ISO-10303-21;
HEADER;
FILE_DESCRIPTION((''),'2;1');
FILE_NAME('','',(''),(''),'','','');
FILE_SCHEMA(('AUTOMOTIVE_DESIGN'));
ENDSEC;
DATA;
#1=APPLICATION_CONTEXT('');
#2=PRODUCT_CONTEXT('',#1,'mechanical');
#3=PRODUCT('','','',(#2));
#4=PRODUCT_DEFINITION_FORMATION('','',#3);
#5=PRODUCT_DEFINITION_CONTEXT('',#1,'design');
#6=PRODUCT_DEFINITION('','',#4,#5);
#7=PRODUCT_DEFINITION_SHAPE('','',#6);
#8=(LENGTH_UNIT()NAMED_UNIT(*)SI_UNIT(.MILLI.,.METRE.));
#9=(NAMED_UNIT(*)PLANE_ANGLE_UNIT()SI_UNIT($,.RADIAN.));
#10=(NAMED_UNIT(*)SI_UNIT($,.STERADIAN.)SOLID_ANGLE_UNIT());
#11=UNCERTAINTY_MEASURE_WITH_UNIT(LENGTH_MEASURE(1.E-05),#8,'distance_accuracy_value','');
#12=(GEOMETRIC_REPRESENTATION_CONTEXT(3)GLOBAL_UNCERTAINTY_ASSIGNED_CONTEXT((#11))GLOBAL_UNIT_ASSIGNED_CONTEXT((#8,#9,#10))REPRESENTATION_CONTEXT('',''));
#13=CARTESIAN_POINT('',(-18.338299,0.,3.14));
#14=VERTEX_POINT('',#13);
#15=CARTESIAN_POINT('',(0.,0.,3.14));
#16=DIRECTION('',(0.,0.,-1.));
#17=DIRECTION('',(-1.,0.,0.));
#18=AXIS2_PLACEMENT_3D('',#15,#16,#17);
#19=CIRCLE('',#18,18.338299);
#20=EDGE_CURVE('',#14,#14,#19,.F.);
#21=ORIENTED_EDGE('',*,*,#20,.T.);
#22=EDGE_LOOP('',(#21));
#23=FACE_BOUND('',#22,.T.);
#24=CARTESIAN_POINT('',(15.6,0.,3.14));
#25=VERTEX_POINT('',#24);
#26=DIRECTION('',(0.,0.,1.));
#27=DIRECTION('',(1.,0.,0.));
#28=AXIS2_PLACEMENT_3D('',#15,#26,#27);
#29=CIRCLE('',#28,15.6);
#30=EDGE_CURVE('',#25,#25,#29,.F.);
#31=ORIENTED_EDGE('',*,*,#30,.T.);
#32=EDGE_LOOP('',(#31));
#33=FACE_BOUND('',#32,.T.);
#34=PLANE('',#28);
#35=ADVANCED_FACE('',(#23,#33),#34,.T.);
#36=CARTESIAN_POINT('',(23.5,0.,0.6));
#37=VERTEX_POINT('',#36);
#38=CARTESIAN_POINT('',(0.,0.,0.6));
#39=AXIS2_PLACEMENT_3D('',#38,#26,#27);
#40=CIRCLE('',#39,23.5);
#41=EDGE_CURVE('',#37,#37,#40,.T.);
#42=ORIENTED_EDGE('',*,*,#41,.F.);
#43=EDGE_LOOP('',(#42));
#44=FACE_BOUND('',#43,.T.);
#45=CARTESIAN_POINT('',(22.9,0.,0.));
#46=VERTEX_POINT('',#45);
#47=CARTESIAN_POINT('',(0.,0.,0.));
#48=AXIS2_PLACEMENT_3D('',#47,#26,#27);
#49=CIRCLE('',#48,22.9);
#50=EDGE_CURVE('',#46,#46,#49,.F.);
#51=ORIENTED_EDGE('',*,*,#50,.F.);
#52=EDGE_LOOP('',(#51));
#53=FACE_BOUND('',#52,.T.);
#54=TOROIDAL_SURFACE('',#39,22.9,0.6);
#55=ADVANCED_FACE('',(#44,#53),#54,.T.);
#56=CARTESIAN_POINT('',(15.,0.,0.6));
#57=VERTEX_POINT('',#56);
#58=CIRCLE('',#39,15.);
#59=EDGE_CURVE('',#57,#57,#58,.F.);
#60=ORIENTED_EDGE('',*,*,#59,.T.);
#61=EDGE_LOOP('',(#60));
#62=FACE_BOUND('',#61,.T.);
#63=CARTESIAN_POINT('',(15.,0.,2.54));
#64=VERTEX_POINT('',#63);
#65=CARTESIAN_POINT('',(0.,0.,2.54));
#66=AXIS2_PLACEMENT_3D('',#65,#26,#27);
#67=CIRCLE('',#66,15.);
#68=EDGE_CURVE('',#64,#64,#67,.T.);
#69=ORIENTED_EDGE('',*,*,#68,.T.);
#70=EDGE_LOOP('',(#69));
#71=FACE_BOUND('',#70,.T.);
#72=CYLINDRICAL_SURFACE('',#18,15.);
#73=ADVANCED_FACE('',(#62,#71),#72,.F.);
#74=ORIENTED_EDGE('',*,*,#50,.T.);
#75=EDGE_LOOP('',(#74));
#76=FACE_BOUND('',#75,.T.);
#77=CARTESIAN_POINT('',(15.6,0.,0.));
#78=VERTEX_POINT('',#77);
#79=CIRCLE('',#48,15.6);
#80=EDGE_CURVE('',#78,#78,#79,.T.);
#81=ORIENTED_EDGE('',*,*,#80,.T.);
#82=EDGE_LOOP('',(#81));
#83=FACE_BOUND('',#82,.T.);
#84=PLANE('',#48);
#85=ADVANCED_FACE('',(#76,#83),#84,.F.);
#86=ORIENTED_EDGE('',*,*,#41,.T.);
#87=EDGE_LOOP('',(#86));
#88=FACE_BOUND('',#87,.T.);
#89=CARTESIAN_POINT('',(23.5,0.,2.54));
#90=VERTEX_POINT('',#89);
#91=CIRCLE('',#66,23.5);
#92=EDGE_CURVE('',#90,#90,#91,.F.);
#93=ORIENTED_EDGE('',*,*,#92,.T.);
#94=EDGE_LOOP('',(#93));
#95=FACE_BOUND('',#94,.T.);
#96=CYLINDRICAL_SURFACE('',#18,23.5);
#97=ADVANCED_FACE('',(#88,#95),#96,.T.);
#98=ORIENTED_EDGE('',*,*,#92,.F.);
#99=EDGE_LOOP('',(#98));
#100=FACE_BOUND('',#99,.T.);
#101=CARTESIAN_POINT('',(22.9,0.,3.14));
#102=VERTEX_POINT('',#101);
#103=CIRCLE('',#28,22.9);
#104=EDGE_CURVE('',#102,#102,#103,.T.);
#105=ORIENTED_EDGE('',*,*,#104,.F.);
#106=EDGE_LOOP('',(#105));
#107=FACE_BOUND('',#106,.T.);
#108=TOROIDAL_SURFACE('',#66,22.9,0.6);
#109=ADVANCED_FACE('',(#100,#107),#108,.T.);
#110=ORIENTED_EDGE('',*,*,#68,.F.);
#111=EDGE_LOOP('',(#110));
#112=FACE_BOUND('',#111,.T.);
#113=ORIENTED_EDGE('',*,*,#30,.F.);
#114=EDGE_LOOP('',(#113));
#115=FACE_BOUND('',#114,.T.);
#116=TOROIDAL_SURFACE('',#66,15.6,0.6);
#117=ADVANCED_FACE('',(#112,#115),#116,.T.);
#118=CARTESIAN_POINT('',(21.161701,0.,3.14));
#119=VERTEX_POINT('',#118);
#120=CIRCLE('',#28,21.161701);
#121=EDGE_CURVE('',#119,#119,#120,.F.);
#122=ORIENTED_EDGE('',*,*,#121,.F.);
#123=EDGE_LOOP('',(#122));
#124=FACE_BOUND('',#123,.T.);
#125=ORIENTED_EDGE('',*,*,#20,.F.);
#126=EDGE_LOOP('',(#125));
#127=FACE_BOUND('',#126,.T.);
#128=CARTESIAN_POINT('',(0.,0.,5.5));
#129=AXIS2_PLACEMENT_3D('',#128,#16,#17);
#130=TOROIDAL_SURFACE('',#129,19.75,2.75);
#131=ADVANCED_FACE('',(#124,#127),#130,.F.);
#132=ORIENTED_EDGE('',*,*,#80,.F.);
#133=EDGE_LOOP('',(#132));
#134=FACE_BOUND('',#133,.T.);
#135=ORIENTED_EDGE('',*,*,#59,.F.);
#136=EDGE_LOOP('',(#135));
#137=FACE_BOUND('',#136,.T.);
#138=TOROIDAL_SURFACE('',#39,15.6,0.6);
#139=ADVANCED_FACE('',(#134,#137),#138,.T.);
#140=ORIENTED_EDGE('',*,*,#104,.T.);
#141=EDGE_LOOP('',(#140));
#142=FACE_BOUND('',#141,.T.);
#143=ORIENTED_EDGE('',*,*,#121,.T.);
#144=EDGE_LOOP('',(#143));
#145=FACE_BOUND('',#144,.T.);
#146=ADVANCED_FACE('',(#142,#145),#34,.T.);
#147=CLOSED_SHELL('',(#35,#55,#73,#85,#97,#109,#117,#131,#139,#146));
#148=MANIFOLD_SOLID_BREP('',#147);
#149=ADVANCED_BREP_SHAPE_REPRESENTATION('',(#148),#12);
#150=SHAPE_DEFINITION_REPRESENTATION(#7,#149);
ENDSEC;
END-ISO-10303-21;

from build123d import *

# Parameters (mm, degrees)
ESQUISSE1_R        = 23.5
ESQUISSE1_R_2      = 15
BOSS_EXTRU_1_DEPTH = 3.14
ESQUISSE2_R        = 2.75
CONG_1_R           = 0.6


with BuildPart() as part:
    # Esquisse1 → Boss.-Extru.1 (new body)
    with BuildSketch(Plane.XY):
        Circle(ESQUISSE1_R)
        Circle(ESQUISSE1_R_2, mode=Mode.SUBTRACT)
    extrude(amount=BOSS_EXTRU_1_DEPTH)

    # Esquisse2 → Enlèvement de matière-Révolution1 (revolve, cut)
    with BuildSketch(Plane(origin=(0, 0, 0), x_dir=(1, 0, 0), z_dir=(0, 1, 0)), mode=Mode.PRIVATE) as enl_vement_de_mati_re_r_volution1_sk:
        with Locations((19.75, -5.5)):
            Circle(ESQUISSE2_R)
    revolve(enl_vement_de_mati_re_r_volution1_sk.sketch.rotate(Axis((0, 0, 0), (0, 0, 1)), 180), axis=Axis((0, 0, 0), (0, 0, 1)), mode=Mode.SUBTRACT)

    # Congé1
    cong_1_edges = [part.edges().sort_by_distance(p)[0] for p in [
        (-23.5, 0, 0),
        (-23.5, 0, 3.14),
        (-15, 0, 0),
        (-15, 0, 3.14),
    ]]
    fillet(cong_1_edges, radius=CONG_1_R)


solid = part.part
